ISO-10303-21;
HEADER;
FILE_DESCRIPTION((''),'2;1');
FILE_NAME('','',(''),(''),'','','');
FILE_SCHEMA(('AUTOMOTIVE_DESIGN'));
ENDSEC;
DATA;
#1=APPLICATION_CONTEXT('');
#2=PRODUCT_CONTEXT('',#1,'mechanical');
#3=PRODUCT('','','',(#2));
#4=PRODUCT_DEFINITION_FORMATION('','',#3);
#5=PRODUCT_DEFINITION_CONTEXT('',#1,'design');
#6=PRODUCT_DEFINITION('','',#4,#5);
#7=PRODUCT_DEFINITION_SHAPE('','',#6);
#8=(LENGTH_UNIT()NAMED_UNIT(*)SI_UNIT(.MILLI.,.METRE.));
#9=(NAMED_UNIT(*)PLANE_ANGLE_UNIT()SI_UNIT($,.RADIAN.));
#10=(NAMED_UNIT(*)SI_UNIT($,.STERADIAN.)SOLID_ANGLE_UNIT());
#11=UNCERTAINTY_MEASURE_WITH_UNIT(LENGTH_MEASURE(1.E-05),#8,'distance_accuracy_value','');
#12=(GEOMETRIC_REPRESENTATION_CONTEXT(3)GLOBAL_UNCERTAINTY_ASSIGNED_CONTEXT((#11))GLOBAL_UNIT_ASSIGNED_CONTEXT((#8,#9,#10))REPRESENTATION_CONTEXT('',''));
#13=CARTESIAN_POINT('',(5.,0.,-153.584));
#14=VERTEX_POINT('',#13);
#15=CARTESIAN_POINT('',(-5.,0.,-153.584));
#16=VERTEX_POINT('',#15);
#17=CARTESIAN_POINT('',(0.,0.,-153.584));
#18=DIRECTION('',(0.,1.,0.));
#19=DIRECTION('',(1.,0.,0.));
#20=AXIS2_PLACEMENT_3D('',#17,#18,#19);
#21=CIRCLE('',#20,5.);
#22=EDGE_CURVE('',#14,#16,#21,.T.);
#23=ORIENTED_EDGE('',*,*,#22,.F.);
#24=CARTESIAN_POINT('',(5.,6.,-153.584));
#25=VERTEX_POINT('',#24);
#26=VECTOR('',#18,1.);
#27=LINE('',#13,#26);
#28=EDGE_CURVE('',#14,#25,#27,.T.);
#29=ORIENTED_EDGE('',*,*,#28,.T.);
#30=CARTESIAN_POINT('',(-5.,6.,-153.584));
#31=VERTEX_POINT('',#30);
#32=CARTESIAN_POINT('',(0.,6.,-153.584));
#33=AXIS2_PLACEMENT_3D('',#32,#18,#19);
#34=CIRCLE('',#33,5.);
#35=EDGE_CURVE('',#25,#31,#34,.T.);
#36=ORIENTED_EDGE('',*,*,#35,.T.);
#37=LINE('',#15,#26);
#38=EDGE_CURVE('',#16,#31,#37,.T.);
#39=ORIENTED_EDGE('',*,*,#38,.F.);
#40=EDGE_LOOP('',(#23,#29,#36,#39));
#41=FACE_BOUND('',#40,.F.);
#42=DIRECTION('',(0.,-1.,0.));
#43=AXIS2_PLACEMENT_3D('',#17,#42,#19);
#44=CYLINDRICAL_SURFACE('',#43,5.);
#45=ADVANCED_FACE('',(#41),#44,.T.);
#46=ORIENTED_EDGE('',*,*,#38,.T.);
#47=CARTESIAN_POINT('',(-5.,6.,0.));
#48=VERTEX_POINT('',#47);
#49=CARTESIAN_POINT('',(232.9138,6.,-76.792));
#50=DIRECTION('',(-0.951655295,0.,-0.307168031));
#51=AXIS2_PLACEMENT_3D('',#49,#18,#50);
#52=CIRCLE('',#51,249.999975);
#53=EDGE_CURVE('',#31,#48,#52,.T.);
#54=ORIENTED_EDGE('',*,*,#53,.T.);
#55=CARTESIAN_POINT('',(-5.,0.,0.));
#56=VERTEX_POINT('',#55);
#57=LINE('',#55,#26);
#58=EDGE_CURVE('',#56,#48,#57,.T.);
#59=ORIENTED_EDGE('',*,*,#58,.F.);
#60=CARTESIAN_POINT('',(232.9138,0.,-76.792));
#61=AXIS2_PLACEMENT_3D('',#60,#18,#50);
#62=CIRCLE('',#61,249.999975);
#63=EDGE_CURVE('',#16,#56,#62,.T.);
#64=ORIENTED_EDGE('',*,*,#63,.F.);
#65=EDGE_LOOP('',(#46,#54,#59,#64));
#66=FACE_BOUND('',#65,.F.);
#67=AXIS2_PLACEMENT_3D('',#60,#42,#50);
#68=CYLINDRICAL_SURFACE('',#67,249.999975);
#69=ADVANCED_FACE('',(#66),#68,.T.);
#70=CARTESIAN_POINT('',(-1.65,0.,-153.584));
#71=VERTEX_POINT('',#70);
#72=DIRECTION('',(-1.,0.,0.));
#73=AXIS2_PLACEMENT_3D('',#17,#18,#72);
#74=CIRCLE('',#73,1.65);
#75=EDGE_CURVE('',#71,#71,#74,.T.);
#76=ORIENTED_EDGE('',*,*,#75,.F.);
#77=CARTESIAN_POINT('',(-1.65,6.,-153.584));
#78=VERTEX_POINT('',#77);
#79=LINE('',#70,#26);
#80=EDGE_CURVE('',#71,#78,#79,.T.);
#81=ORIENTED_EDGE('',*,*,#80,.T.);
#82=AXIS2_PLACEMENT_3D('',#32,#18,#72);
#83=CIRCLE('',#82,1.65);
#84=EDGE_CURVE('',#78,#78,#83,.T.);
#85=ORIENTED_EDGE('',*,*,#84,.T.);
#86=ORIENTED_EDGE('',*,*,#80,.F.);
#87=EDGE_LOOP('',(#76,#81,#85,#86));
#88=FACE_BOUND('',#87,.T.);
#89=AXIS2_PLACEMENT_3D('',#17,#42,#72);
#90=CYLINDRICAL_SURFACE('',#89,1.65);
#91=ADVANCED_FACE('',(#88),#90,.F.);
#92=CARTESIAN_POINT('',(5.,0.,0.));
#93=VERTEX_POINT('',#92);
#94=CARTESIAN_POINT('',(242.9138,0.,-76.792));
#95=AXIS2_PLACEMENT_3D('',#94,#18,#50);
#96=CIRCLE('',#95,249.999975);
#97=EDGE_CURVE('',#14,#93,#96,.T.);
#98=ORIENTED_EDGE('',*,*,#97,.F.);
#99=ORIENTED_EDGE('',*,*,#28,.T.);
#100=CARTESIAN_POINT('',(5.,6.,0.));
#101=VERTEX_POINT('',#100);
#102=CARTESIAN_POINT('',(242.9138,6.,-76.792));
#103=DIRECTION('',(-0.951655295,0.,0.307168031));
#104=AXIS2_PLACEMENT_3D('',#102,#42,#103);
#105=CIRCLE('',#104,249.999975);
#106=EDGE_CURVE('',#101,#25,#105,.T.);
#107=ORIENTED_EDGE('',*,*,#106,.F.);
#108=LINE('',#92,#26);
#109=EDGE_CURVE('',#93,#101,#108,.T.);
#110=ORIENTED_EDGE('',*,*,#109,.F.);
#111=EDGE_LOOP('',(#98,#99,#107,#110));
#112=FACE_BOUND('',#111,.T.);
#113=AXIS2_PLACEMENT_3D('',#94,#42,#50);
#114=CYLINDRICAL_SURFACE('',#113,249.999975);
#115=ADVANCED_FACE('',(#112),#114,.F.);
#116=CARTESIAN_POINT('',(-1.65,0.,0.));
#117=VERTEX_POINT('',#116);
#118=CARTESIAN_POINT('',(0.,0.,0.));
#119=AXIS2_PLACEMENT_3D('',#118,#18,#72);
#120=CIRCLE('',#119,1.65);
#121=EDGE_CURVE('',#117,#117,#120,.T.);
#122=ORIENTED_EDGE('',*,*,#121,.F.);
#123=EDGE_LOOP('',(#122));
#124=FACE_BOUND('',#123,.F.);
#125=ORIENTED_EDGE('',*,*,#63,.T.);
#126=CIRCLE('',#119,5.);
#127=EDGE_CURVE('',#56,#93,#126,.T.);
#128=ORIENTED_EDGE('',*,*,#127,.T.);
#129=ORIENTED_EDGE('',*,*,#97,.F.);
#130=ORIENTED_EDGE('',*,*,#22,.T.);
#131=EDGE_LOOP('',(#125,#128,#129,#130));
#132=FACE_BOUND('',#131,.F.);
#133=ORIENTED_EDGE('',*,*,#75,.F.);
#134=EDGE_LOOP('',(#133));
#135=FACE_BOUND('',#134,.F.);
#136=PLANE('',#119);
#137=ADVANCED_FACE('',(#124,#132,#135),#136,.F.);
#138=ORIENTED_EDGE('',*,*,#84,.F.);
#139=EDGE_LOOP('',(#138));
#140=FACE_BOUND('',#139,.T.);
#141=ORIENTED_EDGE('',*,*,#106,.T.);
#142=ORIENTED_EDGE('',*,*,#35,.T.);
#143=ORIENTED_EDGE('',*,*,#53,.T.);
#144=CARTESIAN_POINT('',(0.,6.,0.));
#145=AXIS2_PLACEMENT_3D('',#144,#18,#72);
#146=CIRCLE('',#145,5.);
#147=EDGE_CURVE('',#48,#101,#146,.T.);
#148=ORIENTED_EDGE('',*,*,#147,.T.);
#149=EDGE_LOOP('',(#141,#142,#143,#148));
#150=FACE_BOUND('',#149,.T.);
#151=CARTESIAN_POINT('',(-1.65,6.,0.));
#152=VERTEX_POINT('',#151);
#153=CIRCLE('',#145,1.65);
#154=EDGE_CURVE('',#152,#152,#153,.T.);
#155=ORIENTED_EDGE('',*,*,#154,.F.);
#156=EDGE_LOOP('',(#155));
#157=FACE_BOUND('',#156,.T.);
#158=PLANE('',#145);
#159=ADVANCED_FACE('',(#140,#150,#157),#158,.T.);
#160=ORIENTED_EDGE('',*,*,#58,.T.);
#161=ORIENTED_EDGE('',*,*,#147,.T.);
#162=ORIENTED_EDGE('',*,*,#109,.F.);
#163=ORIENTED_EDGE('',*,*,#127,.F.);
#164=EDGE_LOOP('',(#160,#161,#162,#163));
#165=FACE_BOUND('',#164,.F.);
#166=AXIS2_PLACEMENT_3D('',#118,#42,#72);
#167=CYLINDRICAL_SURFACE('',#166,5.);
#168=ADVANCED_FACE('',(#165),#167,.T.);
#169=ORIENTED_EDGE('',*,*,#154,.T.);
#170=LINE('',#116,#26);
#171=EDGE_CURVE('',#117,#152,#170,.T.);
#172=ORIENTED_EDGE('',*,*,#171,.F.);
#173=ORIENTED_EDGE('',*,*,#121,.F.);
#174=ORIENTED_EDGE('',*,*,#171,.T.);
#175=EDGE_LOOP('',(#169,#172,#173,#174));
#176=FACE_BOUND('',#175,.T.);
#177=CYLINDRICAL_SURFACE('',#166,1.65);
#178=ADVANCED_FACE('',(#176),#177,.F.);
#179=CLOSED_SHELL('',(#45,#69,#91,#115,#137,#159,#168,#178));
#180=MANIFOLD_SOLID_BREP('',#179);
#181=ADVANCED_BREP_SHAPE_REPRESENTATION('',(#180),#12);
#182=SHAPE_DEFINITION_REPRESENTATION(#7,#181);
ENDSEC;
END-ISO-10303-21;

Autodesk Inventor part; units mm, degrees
ref_plane "YZ Plane" through (0, 0, 0) normal (1, 0, 0) x (0, 1, 0)
ref_plane "XZ Plane" through (0, 0, 0) normal (0, 1, 0) x (-1, 0, 0)
ref_plane "XY Plane" through (0, 0, 0) normal (0, 0, 1) x (1, 0, 0)
sketch "Sketch1" plane through (0, 0, 0) normal (0, 1, 0) x (-1, 0, 0)
  line L0 (0, 0) -> (0, -153.584) construction
  line L1 (5, 0) -> (5, -153.584)
  line L2 (-5, -153.584) -> (-5, 0)
  arc A0 (5, 0) -> (-5, 0) centre (0, 0) ccw
  arc A1 (-5, -153.584) -> (5, -153.584) centre (0, -153.584) ccw
  circle A2 centre (0, 0) radius 1.65
  circle A3 centre (0, -153.584) radius 1.65
  arc A4 (-5, -153.584) -> (-5, 0) centre (-242.9138, -76.792) ccw
  arc A5 (5, -153.584) -> (5, 0) centre (-232.9138, -76.792) ccw
  point P0 (0, -76.792)
  dimension "d0" = 3.3
  dimension "d1" = 3.3
  dimension "d2" = 10
  dimension "d3" = 153.584
  dimension "d12" = 250
  dimension "d13" = 250
extrude "Extrusion1" add sketch "Sketch1" along normal blind 6 contours A5 L1 A4 | L1 A4 A0 | A1 A4 L1
